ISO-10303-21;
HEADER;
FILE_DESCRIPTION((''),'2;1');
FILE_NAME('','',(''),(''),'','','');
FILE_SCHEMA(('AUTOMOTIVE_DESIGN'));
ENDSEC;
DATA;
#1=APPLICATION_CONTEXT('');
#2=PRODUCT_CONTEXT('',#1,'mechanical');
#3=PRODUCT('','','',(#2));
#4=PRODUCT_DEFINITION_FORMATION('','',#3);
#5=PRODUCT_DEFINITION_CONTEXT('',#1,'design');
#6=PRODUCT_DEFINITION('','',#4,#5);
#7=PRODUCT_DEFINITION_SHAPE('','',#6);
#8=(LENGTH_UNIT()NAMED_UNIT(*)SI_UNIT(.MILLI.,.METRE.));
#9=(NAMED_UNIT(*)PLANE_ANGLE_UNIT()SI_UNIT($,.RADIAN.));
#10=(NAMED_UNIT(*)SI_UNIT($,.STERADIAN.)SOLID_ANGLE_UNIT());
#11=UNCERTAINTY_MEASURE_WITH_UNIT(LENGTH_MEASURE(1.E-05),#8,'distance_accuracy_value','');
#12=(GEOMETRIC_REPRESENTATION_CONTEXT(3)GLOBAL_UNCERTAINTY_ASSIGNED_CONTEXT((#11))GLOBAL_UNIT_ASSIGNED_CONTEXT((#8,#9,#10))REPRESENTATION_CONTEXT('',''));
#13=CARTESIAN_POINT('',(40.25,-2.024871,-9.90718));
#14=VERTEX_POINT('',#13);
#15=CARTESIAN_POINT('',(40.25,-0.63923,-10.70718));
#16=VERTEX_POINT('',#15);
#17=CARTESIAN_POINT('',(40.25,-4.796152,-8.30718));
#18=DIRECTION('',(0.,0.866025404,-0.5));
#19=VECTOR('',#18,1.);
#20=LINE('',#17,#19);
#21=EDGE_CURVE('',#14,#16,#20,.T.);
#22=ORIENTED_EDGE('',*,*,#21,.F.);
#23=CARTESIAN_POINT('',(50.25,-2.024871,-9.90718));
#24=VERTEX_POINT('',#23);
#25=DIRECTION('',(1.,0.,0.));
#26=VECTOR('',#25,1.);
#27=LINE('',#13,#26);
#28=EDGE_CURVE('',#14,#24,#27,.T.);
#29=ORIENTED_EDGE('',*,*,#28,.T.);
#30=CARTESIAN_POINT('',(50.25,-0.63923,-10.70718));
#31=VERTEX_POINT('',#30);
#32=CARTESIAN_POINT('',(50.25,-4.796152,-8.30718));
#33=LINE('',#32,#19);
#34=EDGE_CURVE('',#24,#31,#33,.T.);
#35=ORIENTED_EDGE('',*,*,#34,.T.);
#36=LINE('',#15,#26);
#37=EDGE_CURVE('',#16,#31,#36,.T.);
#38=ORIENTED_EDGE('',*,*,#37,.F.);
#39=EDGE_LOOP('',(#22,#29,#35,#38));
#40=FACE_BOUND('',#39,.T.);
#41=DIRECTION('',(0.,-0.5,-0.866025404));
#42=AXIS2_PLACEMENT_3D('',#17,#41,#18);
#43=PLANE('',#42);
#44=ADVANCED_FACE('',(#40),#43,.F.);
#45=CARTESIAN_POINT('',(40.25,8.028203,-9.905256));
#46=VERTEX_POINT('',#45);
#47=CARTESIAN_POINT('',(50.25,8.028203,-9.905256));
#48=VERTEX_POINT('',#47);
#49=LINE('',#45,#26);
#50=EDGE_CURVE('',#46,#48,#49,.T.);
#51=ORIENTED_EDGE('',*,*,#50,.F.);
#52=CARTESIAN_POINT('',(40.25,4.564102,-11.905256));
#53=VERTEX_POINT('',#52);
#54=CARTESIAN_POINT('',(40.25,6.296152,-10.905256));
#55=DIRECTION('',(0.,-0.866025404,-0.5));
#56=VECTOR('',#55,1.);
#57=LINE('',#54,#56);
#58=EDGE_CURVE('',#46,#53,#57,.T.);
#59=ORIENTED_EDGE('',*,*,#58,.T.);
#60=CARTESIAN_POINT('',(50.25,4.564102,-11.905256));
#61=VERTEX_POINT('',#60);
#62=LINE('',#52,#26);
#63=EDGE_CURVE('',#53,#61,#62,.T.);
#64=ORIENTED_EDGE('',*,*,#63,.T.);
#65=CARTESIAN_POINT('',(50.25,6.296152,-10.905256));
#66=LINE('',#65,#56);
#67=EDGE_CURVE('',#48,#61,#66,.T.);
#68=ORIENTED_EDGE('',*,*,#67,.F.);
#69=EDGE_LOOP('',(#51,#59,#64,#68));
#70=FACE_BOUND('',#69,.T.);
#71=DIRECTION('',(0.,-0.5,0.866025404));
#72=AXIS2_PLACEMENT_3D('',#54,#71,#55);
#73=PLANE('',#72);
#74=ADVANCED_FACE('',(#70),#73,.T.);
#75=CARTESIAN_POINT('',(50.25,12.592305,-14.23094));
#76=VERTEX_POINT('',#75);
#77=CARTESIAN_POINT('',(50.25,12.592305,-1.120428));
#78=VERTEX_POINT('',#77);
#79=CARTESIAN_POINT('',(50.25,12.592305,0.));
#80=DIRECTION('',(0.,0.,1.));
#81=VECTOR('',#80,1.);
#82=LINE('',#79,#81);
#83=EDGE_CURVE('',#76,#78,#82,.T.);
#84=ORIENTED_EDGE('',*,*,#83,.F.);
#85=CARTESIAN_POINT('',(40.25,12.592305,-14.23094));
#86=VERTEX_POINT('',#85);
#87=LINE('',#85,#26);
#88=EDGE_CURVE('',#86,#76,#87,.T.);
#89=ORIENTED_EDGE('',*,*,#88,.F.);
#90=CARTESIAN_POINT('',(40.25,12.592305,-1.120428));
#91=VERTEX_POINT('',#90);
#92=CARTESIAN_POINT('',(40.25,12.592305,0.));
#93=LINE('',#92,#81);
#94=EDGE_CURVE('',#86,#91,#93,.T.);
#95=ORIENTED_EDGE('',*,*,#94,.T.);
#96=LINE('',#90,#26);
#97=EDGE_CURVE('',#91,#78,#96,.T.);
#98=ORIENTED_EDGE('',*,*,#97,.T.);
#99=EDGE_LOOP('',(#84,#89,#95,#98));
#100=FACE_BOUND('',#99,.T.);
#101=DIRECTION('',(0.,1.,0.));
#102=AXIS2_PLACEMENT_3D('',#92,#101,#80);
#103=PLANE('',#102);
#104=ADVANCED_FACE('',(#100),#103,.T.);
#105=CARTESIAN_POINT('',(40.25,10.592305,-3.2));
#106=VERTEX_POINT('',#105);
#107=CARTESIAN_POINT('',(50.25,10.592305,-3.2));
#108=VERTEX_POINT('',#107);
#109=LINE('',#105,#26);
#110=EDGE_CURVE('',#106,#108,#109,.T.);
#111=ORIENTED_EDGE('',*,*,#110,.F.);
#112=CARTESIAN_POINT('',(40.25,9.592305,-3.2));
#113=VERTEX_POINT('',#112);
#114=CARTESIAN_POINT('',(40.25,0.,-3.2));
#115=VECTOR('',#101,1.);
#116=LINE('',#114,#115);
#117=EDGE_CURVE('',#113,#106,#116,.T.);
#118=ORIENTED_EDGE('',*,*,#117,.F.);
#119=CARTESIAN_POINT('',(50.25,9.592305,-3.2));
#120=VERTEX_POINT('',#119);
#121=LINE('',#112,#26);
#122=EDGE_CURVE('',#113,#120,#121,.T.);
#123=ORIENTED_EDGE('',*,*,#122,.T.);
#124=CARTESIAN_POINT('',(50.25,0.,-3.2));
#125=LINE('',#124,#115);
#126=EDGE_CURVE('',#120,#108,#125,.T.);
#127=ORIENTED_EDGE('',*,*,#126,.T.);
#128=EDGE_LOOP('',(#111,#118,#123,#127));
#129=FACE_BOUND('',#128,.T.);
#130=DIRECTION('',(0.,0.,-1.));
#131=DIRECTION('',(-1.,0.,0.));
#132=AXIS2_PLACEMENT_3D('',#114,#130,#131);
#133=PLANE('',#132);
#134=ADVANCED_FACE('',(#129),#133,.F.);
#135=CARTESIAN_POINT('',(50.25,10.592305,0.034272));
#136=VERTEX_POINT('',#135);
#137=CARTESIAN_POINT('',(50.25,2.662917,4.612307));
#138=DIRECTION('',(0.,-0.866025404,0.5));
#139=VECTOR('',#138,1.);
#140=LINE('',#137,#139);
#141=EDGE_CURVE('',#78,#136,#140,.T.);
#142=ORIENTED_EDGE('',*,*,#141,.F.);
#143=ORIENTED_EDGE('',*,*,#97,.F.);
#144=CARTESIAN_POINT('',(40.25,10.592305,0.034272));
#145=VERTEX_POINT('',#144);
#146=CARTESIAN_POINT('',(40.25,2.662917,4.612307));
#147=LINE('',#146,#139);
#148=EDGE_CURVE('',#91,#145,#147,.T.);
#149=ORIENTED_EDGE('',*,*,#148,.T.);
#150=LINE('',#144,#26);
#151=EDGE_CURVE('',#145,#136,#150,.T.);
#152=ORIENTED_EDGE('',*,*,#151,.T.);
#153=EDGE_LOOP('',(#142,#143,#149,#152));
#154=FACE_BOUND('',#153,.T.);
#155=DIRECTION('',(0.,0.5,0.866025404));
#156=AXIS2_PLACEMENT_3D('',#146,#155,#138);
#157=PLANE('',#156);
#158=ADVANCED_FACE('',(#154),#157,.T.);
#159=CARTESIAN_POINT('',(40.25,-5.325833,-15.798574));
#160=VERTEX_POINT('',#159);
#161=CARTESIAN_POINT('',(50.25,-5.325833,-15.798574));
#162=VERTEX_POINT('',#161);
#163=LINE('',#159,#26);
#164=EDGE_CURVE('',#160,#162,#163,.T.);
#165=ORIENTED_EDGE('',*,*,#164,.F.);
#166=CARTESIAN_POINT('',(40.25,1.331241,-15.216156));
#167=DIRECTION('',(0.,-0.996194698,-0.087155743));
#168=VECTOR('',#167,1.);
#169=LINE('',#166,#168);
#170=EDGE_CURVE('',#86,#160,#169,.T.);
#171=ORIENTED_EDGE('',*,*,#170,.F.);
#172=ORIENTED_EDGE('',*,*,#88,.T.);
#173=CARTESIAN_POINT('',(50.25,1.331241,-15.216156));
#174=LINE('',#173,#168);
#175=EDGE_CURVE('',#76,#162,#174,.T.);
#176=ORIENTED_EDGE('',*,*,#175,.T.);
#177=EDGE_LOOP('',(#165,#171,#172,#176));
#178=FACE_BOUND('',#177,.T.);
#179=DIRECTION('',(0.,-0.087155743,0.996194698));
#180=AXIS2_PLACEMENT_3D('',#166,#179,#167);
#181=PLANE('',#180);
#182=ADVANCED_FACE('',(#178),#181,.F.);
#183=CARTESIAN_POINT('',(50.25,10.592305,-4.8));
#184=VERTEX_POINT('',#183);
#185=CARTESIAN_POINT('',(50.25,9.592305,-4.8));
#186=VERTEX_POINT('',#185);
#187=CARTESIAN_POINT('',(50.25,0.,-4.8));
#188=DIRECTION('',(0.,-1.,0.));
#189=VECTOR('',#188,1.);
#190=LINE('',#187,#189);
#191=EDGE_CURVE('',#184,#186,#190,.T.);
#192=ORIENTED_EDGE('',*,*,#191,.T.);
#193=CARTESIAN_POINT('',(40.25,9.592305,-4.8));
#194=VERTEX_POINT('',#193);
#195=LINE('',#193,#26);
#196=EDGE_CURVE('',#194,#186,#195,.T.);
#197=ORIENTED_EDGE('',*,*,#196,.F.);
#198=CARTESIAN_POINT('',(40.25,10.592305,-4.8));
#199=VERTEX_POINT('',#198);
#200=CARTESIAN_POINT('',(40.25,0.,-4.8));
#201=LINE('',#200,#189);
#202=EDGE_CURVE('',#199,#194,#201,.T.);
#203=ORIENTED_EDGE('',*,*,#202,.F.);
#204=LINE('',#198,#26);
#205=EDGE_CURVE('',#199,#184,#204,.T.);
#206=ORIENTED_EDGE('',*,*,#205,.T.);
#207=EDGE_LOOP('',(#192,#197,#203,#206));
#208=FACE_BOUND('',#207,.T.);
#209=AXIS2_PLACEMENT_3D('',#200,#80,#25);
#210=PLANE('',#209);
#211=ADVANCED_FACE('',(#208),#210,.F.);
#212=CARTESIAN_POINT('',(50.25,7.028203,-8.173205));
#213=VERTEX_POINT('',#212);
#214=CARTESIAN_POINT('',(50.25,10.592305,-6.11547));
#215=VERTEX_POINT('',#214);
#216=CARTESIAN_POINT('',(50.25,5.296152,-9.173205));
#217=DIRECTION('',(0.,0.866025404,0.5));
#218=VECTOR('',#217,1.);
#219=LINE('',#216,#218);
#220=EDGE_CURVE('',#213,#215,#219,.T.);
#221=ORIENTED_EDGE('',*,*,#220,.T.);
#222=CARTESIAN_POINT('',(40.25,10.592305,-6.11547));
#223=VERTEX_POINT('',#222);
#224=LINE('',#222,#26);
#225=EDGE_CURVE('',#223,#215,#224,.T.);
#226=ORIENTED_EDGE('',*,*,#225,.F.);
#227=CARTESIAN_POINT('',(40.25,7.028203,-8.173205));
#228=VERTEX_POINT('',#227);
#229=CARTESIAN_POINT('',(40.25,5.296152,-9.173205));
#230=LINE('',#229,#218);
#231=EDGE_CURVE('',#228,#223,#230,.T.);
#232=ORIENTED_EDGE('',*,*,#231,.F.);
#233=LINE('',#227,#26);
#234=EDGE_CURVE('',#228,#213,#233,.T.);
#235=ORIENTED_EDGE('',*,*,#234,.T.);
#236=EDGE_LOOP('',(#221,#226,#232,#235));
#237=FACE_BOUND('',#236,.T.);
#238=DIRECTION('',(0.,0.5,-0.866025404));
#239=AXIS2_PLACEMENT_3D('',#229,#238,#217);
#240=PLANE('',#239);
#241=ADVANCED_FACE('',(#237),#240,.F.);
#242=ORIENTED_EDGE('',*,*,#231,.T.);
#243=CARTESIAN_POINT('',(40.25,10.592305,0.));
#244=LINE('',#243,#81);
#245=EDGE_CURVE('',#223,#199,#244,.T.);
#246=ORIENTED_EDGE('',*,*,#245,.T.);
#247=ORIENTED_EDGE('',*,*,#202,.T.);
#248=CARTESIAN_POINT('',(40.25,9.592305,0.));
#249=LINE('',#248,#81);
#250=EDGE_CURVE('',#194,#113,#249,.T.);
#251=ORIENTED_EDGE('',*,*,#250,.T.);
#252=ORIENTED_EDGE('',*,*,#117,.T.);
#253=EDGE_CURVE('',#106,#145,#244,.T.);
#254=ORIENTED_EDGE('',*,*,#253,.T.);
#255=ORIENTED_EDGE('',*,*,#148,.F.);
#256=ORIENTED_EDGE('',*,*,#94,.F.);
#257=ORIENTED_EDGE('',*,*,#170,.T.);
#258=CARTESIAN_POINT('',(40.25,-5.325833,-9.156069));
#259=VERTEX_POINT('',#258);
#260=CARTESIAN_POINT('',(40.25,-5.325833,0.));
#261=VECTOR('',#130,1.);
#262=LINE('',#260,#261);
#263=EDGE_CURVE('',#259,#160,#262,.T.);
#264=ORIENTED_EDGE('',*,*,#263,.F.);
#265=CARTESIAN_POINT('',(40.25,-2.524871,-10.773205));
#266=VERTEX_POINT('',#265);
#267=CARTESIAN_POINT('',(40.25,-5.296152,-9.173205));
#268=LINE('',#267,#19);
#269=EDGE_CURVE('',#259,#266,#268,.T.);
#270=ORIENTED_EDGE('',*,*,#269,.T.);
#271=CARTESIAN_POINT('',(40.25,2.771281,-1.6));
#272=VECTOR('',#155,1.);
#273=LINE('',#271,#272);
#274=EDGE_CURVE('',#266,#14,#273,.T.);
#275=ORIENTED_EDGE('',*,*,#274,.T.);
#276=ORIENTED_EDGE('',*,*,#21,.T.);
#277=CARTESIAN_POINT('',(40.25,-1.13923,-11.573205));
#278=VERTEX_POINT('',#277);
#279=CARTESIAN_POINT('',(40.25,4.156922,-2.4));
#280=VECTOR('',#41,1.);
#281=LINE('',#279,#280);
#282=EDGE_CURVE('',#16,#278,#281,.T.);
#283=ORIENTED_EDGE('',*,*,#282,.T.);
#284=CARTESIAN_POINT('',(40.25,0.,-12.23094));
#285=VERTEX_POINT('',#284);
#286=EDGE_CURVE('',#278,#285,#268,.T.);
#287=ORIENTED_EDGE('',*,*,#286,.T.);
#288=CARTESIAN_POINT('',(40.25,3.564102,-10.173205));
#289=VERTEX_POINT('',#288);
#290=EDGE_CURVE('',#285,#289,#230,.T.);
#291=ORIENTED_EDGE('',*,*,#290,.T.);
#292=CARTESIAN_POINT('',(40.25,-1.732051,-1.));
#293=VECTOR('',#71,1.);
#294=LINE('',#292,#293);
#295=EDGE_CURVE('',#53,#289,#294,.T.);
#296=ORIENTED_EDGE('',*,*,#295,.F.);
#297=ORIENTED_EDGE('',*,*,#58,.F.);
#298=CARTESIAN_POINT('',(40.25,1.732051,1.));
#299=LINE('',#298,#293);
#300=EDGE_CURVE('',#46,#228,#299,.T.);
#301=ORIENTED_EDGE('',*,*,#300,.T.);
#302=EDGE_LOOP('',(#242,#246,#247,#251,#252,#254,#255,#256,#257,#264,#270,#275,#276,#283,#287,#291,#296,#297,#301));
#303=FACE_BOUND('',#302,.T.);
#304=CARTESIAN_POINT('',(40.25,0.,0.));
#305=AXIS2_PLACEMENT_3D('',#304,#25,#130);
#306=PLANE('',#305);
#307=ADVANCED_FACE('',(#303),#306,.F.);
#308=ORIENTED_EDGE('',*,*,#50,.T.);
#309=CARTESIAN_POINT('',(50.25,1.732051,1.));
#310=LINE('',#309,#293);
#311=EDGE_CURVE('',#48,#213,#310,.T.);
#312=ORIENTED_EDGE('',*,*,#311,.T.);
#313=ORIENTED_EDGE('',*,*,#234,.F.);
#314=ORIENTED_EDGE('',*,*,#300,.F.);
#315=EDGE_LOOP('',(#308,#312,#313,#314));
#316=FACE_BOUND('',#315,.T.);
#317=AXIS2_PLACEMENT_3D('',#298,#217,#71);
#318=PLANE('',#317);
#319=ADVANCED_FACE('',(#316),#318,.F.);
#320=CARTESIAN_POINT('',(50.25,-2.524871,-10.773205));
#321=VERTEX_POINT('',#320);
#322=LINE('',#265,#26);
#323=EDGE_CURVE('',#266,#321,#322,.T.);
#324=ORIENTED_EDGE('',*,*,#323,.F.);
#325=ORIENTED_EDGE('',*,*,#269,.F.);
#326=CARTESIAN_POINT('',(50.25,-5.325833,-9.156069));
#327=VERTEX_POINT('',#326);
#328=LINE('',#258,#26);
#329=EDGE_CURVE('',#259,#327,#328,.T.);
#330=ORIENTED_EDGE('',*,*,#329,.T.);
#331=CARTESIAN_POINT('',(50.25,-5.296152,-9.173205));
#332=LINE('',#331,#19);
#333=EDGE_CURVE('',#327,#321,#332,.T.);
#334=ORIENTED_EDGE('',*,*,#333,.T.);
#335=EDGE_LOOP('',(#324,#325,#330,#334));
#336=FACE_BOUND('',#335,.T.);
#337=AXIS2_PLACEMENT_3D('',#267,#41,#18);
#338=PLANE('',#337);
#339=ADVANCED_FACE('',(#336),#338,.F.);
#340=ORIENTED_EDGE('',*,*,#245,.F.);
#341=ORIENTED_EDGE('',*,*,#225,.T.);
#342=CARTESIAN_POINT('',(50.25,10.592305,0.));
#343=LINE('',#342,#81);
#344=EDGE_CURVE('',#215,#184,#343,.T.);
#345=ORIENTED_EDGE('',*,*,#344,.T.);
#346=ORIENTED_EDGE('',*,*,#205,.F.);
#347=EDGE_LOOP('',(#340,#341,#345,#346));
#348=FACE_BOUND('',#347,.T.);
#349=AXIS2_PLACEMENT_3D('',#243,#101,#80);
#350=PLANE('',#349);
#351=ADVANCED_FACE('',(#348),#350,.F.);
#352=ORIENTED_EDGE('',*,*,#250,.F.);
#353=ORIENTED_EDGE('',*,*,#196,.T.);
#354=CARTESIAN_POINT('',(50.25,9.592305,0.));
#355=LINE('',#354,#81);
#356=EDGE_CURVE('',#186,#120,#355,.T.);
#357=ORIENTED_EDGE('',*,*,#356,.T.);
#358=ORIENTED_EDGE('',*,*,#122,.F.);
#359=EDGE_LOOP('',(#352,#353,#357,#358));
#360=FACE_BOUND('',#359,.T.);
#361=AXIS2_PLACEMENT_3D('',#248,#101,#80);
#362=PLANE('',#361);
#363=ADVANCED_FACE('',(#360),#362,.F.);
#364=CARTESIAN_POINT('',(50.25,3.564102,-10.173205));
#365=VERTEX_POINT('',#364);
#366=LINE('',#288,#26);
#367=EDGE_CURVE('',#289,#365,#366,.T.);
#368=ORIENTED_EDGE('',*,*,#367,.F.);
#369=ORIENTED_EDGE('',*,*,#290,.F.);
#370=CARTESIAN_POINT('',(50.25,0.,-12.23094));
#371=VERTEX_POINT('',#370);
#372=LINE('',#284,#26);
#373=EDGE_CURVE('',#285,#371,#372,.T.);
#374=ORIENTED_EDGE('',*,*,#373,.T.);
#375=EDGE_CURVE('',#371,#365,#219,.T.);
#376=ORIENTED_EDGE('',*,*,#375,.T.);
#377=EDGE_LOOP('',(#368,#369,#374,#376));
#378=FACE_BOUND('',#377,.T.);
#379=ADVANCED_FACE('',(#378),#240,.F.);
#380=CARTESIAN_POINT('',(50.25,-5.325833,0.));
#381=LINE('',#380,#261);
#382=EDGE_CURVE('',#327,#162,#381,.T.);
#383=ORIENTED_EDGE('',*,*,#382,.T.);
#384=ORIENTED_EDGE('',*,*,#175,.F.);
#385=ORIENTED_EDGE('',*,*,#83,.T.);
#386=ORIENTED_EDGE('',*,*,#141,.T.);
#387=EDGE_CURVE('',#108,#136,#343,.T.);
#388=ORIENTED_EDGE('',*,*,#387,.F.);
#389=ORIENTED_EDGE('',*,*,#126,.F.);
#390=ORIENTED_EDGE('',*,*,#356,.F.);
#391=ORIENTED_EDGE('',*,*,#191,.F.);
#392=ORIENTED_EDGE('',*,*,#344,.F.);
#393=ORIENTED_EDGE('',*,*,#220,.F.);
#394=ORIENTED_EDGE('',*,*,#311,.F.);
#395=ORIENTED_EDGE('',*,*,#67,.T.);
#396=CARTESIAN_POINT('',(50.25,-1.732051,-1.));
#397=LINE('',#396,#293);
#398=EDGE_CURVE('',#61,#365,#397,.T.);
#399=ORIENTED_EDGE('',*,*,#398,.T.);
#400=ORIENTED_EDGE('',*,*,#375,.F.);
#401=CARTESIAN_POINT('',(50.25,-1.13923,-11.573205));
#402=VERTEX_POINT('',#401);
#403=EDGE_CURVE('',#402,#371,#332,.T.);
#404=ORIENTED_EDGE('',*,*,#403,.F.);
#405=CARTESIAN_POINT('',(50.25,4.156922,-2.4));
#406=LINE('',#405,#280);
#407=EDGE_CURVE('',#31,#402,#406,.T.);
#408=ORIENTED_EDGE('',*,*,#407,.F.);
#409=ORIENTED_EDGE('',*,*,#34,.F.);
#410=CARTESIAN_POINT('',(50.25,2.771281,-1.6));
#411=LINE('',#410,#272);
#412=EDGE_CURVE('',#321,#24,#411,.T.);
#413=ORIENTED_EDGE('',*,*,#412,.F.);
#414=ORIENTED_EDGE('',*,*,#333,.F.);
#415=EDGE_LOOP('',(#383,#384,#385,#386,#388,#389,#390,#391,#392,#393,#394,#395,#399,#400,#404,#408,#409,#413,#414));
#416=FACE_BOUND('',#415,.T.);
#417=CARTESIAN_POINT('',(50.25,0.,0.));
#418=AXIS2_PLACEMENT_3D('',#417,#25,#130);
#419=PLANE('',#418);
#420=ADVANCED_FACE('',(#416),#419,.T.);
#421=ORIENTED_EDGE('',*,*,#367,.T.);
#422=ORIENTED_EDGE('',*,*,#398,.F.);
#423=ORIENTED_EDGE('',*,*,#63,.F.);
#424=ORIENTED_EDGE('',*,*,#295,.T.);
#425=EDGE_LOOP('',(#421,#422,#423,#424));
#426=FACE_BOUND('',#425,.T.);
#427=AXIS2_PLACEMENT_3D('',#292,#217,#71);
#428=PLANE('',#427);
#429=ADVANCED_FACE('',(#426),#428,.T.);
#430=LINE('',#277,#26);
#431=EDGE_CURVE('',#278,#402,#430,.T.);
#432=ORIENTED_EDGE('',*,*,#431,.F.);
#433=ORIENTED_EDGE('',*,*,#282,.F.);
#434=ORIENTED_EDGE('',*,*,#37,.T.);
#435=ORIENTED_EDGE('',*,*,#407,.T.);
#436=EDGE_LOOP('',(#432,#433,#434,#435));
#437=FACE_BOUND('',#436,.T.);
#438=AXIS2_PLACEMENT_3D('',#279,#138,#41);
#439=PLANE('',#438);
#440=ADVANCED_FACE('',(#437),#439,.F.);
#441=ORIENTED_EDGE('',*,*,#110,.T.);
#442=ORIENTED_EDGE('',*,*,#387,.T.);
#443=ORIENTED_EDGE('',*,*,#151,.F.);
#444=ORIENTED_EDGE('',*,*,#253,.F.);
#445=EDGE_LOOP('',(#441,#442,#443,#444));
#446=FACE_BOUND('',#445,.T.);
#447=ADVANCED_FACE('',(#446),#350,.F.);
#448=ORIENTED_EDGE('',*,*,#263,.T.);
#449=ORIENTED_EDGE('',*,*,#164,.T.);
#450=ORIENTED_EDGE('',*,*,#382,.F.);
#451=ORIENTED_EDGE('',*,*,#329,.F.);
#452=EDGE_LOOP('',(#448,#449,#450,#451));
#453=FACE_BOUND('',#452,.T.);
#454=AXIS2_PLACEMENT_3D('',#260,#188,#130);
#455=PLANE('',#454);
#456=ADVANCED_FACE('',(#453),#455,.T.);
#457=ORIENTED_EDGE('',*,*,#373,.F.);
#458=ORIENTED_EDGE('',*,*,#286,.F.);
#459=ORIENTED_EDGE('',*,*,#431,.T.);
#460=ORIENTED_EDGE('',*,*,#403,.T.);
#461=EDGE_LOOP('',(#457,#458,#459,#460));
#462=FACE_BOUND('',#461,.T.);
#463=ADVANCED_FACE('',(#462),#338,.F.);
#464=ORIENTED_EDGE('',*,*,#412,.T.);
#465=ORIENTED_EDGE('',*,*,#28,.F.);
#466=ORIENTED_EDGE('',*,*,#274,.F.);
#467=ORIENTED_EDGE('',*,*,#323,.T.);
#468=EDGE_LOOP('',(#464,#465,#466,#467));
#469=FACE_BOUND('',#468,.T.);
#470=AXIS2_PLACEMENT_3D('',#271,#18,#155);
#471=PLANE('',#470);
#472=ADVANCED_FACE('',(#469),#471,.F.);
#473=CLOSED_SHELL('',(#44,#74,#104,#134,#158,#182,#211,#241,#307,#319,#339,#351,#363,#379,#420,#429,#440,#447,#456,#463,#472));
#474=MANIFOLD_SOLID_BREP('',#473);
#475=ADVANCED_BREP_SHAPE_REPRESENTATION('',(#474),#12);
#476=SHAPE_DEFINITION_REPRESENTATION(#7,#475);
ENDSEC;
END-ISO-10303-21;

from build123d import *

# Parameters (mm, degrees)
BOSS_EXTRUDE1_DEPTH = 10


with BuildPart() as part:
    # Sketch1 → Boss-Extrude1 (new body)
    with BuildSketch(Plane(origin=(50.25, 0, 0), x_dir=(0, 0, -1), z_dir=(1, 0, 0))):
        Polygon((8.173205081, 7.02820323), (6.115470054, 10.592304845), (4.8, 10.592304845), (4.8, 9.592304845), (3.2, 9.592304845), (3.2, 10.592304845), (-0.034272207, 10.592304845), (1.120428331, 12.592304845), (14.230940108, 12.592304845), (15.798574043, -5.325833025), (14.230940108, -5.325833025), (9.156068977, -5.325833025), (10.773205081, -2.524871131), (9.907179677, -2.024871131), (10.707179677, -0.639230485), (11.573205081, -1.139230485), (12.230940108, 0), (10.173205081, 3.564101615), (11.905255888, 4.564101615), (9.905255888, 8.02820323), align=None)
    extrude(amount=-BOSS_EXTRUDE1_DEPTH)


solid = part.part
